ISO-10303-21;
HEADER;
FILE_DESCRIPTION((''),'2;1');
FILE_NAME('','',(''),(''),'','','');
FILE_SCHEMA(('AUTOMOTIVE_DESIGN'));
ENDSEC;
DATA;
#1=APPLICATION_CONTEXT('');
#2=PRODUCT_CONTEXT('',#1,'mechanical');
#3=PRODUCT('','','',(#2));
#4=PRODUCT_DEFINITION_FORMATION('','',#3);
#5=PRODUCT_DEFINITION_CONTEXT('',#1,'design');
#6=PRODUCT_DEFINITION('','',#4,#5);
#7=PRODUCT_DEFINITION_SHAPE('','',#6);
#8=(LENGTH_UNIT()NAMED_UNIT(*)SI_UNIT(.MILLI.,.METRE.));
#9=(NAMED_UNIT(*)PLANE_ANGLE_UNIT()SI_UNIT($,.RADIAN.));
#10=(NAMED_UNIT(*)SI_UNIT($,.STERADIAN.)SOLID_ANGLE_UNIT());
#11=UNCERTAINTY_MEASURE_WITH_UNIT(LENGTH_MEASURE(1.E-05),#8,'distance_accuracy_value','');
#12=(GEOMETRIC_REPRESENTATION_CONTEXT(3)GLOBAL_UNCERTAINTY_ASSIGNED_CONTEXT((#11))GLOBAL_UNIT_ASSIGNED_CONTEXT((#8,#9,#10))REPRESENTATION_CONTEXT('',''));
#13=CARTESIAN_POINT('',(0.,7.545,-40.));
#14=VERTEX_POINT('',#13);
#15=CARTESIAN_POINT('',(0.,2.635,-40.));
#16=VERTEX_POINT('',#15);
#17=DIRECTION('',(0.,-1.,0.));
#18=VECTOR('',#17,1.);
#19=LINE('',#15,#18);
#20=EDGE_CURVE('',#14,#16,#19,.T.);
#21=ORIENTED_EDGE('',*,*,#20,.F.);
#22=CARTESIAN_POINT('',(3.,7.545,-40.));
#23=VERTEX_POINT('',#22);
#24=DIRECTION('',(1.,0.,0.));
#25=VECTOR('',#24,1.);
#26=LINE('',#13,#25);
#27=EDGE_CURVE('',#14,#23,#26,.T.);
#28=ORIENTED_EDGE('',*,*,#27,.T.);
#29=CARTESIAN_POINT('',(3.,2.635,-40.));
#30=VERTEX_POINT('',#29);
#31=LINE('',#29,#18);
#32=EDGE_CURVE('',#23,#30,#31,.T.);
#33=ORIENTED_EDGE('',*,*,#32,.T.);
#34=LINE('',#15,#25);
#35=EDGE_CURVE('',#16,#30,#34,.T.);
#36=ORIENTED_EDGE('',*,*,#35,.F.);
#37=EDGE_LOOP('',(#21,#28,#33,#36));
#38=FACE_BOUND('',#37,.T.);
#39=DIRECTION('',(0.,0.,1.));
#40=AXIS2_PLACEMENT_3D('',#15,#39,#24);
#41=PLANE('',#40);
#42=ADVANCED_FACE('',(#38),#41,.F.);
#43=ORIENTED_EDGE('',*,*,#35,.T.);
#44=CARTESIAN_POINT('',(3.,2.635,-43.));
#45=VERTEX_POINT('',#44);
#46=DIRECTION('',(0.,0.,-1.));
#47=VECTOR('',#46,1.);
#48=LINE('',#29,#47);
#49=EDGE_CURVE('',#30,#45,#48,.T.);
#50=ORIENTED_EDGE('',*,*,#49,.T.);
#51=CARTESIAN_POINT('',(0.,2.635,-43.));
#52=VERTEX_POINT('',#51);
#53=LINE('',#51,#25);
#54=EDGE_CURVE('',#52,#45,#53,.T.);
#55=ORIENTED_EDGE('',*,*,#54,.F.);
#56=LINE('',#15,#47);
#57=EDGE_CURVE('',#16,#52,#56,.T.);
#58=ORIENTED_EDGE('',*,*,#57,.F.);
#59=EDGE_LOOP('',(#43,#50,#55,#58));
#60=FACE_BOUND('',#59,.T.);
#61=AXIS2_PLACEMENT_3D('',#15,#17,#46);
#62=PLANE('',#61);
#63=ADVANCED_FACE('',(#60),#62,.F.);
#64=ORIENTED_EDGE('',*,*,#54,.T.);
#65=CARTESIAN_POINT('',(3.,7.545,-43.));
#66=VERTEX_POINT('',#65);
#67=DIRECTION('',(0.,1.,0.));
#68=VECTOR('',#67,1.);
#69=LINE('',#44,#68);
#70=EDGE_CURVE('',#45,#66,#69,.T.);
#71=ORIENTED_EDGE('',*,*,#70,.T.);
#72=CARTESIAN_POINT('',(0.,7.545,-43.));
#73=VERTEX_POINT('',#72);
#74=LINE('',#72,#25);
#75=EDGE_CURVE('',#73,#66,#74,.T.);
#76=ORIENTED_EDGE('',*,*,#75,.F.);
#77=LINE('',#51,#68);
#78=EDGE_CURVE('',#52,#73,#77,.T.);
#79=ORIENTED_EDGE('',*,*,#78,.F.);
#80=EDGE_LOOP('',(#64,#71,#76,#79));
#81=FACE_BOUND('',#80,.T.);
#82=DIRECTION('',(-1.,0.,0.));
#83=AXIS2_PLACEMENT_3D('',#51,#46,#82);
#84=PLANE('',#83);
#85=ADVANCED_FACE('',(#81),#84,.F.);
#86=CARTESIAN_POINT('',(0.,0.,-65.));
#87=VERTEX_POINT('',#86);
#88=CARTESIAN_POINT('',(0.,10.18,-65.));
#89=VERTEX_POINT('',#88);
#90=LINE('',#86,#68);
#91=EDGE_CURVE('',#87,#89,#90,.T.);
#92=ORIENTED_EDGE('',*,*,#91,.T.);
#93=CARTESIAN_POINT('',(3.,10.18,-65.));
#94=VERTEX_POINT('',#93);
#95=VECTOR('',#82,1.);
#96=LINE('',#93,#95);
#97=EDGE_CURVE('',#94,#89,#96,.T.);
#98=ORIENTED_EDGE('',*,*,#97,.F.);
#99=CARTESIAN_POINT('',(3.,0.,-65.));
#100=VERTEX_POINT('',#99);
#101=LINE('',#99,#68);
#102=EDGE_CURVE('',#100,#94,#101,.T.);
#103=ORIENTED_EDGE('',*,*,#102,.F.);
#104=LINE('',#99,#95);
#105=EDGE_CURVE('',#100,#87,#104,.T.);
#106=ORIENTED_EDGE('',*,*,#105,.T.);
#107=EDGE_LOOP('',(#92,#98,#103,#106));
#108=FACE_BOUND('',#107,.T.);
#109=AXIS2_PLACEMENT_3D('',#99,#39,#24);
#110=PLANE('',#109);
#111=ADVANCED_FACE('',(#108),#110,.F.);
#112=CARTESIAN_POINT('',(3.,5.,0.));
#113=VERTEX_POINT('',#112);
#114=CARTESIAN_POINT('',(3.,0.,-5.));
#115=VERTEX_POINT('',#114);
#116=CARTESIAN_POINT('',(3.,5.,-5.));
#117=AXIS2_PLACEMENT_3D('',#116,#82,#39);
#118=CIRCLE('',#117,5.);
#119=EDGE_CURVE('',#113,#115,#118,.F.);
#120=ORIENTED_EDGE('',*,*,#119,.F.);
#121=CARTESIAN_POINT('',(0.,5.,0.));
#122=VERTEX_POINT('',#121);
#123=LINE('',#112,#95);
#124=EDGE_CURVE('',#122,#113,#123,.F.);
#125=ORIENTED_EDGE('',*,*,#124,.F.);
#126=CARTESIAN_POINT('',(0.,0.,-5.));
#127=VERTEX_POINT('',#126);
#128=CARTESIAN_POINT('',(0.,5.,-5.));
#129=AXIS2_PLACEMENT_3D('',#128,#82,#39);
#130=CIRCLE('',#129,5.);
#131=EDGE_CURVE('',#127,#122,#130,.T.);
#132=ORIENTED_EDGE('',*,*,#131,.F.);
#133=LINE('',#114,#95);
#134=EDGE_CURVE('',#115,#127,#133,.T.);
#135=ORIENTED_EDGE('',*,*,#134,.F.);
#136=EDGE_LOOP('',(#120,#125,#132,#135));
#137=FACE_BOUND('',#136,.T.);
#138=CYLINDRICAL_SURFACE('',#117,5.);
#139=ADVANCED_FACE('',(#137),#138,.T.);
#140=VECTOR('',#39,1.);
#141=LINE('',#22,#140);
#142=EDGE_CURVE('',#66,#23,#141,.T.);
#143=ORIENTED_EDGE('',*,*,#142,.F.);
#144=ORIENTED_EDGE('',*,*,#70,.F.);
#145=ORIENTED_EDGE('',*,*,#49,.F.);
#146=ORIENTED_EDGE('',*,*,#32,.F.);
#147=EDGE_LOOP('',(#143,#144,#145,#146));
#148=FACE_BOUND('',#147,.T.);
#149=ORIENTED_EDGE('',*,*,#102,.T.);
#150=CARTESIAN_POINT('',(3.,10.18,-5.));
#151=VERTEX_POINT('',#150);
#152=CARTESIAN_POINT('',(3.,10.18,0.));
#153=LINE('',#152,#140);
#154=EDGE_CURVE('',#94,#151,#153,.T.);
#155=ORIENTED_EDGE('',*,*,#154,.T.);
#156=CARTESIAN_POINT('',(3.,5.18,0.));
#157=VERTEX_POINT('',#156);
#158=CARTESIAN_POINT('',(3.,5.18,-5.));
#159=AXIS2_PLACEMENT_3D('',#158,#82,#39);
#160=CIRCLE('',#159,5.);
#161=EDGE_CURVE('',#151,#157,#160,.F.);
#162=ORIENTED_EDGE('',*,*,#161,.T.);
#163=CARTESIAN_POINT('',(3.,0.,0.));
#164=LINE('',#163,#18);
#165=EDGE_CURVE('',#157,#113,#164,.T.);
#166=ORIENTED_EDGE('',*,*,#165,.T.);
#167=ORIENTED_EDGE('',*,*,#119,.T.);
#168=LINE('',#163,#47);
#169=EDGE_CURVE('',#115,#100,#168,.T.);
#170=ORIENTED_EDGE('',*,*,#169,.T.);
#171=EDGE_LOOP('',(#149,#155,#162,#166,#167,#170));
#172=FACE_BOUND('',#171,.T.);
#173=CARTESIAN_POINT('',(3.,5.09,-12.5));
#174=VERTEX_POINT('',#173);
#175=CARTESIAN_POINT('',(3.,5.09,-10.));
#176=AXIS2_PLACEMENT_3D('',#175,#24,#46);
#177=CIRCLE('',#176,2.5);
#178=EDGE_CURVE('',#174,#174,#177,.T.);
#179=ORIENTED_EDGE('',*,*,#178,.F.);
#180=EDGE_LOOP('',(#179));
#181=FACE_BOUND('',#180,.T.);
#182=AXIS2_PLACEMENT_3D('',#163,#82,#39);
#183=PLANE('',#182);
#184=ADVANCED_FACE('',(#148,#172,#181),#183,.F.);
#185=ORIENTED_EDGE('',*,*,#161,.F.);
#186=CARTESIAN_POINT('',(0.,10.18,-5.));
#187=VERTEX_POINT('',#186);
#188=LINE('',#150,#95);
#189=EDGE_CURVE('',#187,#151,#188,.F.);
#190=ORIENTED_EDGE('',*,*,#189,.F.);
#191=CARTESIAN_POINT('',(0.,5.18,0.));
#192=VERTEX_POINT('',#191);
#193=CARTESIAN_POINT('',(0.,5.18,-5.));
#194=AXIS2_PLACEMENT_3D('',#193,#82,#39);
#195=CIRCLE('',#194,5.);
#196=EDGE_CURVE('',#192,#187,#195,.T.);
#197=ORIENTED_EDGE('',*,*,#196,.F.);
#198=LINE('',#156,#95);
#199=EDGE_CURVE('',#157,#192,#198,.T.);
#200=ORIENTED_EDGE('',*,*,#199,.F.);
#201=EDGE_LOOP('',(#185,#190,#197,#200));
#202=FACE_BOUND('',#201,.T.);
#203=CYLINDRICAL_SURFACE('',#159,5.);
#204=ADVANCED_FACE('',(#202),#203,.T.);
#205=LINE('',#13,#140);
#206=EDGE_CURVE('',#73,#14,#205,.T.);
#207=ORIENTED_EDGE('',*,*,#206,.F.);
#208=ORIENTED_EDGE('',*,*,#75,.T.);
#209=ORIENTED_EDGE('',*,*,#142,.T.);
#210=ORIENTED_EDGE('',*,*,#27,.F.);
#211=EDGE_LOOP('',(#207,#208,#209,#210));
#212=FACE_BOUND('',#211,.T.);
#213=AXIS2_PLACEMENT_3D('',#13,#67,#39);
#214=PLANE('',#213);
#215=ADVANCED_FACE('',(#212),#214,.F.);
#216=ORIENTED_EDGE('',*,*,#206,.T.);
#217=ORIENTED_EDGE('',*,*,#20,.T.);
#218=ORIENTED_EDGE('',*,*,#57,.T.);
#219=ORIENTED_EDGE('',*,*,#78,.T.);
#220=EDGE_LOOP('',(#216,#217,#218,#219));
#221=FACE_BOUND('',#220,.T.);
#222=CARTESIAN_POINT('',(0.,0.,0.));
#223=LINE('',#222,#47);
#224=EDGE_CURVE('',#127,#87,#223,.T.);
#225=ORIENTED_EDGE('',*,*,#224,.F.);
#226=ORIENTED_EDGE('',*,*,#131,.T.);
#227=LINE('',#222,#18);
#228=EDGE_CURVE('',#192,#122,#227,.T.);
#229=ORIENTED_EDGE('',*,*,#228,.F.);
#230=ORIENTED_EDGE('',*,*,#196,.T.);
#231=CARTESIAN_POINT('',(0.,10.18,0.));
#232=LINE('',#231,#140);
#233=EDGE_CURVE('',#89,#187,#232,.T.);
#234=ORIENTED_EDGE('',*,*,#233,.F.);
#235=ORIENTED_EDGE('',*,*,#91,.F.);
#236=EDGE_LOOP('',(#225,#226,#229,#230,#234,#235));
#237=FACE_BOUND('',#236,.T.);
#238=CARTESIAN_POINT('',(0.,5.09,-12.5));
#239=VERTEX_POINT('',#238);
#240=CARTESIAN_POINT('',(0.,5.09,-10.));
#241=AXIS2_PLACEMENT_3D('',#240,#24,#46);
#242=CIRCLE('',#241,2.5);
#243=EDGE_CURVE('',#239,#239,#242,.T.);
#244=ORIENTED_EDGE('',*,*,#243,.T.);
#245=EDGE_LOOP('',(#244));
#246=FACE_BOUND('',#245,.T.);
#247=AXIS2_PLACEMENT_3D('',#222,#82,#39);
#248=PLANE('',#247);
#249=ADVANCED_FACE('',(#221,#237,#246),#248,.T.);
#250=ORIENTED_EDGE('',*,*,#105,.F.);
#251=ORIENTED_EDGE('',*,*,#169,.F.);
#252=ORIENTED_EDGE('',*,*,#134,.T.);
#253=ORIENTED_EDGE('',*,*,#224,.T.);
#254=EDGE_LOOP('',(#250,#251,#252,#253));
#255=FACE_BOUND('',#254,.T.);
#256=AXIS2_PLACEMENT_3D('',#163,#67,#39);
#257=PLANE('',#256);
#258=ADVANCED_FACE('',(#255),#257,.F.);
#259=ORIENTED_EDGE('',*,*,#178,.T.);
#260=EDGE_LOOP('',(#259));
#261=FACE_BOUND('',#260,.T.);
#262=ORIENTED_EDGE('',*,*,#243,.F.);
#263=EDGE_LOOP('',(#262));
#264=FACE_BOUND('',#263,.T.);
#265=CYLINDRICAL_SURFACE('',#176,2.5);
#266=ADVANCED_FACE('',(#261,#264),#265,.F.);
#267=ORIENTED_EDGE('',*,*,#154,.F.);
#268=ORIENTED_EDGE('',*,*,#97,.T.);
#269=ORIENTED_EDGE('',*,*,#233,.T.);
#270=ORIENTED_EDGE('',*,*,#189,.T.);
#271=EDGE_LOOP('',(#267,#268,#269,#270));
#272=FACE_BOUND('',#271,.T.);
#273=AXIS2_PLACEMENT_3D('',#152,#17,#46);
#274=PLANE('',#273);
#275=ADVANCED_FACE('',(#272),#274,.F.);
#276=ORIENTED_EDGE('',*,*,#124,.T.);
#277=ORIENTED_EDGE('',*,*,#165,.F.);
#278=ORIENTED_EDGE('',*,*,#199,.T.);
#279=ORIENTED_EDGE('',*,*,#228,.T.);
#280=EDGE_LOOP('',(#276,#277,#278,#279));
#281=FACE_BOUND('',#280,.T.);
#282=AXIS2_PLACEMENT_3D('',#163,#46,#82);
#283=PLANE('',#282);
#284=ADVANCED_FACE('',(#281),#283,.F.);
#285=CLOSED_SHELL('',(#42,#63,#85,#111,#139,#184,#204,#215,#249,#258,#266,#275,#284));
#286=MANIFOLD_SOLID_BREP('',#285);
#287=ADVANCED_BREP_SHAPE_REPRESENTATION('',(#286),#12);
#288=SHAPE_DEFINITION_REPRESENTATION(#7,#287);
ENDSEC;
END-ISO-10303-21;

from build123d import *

# Parameters (mm, degrees)
SKETCH1_W                 = 65
SKETCH1_H                 = 10.18
BOSS_EXTRUDE1_DEPTH       = 3
F_5_0MM_DOWEL_HOLE1_D     = 5
F_5_0MM_DOWEL_HOLE1_DEPTH = 3
F_5_0MM_DOWEL_HOLE1_TIP   = 1.502151548
FILLET1_R                 = 5
SKETCH4_W                 = 3
SKETCH4_H                 = 4.91
CUT_EXTRUDE1_DEPTH        = 3


with BuildPart() as part:
    # Sketch1 → Boss-Extrude1 (new body)
    with BuildSketch(Plane(origin=(0, 0, 0), x_dir=(0, 0, -1), z_dir=(1, 0, 0))):
        with Locations((32.5, 5.09)):
            Rectangle(SKETCH1_W, SKETCH1_H)
    extrude(amount=BOSS_EXTRUDE1_DEPTH)

    # Ø5.0mm Dowel Hole1
    with Locations(Plane(origin=(3, 0, 0), x_dir=(0, 0, -1), z_dir=(1, 0, 0))):
        with Locations((10, 5.09)):
            Hole(F_5_0MM_DOWEL_HOLE1_D / 2, depth=F_5_0MM_DOWEL_HOLE1_DEPTH)
            with Locations((0, 0, -(F_5_0MM_DOWEL_HOLE1_DEPTH + F_5_0MM_DOWEL_HOLE1_TIP / 2))):  # 118° drill point
                Cone(0, F_5_0MM_DOWEL_HOLE1_D / 2, F_5_0MM_DOWEL_HOLE1_TIP, mode=Mode.SUBTRACT)

    # Fillet1
    fillet1_edges = [part.edges().sort_by_distance(p)[0] for p in [
        (1.5, 10.18, 0),
        (1.5, 0, 0),
    ]]
    fillet(fillet1_edges, radius=FILLET1_R)

    # Sketch4 → Cut-Extrude1 (cut)
    with BuildSketch(Plane(origin=(3, 0, 0), x_dir=(0, 0, -1), z_dir=(1, 0, 0))):
        with Locations((41.5, 5.09)):
            Rectangle(SKETCH4_W, SKETCH4_H)
    extrude(amount=-CUT_EXTRUDE1_DEPTH, mode=Mode.SUBTRACT)


solid = part.part
